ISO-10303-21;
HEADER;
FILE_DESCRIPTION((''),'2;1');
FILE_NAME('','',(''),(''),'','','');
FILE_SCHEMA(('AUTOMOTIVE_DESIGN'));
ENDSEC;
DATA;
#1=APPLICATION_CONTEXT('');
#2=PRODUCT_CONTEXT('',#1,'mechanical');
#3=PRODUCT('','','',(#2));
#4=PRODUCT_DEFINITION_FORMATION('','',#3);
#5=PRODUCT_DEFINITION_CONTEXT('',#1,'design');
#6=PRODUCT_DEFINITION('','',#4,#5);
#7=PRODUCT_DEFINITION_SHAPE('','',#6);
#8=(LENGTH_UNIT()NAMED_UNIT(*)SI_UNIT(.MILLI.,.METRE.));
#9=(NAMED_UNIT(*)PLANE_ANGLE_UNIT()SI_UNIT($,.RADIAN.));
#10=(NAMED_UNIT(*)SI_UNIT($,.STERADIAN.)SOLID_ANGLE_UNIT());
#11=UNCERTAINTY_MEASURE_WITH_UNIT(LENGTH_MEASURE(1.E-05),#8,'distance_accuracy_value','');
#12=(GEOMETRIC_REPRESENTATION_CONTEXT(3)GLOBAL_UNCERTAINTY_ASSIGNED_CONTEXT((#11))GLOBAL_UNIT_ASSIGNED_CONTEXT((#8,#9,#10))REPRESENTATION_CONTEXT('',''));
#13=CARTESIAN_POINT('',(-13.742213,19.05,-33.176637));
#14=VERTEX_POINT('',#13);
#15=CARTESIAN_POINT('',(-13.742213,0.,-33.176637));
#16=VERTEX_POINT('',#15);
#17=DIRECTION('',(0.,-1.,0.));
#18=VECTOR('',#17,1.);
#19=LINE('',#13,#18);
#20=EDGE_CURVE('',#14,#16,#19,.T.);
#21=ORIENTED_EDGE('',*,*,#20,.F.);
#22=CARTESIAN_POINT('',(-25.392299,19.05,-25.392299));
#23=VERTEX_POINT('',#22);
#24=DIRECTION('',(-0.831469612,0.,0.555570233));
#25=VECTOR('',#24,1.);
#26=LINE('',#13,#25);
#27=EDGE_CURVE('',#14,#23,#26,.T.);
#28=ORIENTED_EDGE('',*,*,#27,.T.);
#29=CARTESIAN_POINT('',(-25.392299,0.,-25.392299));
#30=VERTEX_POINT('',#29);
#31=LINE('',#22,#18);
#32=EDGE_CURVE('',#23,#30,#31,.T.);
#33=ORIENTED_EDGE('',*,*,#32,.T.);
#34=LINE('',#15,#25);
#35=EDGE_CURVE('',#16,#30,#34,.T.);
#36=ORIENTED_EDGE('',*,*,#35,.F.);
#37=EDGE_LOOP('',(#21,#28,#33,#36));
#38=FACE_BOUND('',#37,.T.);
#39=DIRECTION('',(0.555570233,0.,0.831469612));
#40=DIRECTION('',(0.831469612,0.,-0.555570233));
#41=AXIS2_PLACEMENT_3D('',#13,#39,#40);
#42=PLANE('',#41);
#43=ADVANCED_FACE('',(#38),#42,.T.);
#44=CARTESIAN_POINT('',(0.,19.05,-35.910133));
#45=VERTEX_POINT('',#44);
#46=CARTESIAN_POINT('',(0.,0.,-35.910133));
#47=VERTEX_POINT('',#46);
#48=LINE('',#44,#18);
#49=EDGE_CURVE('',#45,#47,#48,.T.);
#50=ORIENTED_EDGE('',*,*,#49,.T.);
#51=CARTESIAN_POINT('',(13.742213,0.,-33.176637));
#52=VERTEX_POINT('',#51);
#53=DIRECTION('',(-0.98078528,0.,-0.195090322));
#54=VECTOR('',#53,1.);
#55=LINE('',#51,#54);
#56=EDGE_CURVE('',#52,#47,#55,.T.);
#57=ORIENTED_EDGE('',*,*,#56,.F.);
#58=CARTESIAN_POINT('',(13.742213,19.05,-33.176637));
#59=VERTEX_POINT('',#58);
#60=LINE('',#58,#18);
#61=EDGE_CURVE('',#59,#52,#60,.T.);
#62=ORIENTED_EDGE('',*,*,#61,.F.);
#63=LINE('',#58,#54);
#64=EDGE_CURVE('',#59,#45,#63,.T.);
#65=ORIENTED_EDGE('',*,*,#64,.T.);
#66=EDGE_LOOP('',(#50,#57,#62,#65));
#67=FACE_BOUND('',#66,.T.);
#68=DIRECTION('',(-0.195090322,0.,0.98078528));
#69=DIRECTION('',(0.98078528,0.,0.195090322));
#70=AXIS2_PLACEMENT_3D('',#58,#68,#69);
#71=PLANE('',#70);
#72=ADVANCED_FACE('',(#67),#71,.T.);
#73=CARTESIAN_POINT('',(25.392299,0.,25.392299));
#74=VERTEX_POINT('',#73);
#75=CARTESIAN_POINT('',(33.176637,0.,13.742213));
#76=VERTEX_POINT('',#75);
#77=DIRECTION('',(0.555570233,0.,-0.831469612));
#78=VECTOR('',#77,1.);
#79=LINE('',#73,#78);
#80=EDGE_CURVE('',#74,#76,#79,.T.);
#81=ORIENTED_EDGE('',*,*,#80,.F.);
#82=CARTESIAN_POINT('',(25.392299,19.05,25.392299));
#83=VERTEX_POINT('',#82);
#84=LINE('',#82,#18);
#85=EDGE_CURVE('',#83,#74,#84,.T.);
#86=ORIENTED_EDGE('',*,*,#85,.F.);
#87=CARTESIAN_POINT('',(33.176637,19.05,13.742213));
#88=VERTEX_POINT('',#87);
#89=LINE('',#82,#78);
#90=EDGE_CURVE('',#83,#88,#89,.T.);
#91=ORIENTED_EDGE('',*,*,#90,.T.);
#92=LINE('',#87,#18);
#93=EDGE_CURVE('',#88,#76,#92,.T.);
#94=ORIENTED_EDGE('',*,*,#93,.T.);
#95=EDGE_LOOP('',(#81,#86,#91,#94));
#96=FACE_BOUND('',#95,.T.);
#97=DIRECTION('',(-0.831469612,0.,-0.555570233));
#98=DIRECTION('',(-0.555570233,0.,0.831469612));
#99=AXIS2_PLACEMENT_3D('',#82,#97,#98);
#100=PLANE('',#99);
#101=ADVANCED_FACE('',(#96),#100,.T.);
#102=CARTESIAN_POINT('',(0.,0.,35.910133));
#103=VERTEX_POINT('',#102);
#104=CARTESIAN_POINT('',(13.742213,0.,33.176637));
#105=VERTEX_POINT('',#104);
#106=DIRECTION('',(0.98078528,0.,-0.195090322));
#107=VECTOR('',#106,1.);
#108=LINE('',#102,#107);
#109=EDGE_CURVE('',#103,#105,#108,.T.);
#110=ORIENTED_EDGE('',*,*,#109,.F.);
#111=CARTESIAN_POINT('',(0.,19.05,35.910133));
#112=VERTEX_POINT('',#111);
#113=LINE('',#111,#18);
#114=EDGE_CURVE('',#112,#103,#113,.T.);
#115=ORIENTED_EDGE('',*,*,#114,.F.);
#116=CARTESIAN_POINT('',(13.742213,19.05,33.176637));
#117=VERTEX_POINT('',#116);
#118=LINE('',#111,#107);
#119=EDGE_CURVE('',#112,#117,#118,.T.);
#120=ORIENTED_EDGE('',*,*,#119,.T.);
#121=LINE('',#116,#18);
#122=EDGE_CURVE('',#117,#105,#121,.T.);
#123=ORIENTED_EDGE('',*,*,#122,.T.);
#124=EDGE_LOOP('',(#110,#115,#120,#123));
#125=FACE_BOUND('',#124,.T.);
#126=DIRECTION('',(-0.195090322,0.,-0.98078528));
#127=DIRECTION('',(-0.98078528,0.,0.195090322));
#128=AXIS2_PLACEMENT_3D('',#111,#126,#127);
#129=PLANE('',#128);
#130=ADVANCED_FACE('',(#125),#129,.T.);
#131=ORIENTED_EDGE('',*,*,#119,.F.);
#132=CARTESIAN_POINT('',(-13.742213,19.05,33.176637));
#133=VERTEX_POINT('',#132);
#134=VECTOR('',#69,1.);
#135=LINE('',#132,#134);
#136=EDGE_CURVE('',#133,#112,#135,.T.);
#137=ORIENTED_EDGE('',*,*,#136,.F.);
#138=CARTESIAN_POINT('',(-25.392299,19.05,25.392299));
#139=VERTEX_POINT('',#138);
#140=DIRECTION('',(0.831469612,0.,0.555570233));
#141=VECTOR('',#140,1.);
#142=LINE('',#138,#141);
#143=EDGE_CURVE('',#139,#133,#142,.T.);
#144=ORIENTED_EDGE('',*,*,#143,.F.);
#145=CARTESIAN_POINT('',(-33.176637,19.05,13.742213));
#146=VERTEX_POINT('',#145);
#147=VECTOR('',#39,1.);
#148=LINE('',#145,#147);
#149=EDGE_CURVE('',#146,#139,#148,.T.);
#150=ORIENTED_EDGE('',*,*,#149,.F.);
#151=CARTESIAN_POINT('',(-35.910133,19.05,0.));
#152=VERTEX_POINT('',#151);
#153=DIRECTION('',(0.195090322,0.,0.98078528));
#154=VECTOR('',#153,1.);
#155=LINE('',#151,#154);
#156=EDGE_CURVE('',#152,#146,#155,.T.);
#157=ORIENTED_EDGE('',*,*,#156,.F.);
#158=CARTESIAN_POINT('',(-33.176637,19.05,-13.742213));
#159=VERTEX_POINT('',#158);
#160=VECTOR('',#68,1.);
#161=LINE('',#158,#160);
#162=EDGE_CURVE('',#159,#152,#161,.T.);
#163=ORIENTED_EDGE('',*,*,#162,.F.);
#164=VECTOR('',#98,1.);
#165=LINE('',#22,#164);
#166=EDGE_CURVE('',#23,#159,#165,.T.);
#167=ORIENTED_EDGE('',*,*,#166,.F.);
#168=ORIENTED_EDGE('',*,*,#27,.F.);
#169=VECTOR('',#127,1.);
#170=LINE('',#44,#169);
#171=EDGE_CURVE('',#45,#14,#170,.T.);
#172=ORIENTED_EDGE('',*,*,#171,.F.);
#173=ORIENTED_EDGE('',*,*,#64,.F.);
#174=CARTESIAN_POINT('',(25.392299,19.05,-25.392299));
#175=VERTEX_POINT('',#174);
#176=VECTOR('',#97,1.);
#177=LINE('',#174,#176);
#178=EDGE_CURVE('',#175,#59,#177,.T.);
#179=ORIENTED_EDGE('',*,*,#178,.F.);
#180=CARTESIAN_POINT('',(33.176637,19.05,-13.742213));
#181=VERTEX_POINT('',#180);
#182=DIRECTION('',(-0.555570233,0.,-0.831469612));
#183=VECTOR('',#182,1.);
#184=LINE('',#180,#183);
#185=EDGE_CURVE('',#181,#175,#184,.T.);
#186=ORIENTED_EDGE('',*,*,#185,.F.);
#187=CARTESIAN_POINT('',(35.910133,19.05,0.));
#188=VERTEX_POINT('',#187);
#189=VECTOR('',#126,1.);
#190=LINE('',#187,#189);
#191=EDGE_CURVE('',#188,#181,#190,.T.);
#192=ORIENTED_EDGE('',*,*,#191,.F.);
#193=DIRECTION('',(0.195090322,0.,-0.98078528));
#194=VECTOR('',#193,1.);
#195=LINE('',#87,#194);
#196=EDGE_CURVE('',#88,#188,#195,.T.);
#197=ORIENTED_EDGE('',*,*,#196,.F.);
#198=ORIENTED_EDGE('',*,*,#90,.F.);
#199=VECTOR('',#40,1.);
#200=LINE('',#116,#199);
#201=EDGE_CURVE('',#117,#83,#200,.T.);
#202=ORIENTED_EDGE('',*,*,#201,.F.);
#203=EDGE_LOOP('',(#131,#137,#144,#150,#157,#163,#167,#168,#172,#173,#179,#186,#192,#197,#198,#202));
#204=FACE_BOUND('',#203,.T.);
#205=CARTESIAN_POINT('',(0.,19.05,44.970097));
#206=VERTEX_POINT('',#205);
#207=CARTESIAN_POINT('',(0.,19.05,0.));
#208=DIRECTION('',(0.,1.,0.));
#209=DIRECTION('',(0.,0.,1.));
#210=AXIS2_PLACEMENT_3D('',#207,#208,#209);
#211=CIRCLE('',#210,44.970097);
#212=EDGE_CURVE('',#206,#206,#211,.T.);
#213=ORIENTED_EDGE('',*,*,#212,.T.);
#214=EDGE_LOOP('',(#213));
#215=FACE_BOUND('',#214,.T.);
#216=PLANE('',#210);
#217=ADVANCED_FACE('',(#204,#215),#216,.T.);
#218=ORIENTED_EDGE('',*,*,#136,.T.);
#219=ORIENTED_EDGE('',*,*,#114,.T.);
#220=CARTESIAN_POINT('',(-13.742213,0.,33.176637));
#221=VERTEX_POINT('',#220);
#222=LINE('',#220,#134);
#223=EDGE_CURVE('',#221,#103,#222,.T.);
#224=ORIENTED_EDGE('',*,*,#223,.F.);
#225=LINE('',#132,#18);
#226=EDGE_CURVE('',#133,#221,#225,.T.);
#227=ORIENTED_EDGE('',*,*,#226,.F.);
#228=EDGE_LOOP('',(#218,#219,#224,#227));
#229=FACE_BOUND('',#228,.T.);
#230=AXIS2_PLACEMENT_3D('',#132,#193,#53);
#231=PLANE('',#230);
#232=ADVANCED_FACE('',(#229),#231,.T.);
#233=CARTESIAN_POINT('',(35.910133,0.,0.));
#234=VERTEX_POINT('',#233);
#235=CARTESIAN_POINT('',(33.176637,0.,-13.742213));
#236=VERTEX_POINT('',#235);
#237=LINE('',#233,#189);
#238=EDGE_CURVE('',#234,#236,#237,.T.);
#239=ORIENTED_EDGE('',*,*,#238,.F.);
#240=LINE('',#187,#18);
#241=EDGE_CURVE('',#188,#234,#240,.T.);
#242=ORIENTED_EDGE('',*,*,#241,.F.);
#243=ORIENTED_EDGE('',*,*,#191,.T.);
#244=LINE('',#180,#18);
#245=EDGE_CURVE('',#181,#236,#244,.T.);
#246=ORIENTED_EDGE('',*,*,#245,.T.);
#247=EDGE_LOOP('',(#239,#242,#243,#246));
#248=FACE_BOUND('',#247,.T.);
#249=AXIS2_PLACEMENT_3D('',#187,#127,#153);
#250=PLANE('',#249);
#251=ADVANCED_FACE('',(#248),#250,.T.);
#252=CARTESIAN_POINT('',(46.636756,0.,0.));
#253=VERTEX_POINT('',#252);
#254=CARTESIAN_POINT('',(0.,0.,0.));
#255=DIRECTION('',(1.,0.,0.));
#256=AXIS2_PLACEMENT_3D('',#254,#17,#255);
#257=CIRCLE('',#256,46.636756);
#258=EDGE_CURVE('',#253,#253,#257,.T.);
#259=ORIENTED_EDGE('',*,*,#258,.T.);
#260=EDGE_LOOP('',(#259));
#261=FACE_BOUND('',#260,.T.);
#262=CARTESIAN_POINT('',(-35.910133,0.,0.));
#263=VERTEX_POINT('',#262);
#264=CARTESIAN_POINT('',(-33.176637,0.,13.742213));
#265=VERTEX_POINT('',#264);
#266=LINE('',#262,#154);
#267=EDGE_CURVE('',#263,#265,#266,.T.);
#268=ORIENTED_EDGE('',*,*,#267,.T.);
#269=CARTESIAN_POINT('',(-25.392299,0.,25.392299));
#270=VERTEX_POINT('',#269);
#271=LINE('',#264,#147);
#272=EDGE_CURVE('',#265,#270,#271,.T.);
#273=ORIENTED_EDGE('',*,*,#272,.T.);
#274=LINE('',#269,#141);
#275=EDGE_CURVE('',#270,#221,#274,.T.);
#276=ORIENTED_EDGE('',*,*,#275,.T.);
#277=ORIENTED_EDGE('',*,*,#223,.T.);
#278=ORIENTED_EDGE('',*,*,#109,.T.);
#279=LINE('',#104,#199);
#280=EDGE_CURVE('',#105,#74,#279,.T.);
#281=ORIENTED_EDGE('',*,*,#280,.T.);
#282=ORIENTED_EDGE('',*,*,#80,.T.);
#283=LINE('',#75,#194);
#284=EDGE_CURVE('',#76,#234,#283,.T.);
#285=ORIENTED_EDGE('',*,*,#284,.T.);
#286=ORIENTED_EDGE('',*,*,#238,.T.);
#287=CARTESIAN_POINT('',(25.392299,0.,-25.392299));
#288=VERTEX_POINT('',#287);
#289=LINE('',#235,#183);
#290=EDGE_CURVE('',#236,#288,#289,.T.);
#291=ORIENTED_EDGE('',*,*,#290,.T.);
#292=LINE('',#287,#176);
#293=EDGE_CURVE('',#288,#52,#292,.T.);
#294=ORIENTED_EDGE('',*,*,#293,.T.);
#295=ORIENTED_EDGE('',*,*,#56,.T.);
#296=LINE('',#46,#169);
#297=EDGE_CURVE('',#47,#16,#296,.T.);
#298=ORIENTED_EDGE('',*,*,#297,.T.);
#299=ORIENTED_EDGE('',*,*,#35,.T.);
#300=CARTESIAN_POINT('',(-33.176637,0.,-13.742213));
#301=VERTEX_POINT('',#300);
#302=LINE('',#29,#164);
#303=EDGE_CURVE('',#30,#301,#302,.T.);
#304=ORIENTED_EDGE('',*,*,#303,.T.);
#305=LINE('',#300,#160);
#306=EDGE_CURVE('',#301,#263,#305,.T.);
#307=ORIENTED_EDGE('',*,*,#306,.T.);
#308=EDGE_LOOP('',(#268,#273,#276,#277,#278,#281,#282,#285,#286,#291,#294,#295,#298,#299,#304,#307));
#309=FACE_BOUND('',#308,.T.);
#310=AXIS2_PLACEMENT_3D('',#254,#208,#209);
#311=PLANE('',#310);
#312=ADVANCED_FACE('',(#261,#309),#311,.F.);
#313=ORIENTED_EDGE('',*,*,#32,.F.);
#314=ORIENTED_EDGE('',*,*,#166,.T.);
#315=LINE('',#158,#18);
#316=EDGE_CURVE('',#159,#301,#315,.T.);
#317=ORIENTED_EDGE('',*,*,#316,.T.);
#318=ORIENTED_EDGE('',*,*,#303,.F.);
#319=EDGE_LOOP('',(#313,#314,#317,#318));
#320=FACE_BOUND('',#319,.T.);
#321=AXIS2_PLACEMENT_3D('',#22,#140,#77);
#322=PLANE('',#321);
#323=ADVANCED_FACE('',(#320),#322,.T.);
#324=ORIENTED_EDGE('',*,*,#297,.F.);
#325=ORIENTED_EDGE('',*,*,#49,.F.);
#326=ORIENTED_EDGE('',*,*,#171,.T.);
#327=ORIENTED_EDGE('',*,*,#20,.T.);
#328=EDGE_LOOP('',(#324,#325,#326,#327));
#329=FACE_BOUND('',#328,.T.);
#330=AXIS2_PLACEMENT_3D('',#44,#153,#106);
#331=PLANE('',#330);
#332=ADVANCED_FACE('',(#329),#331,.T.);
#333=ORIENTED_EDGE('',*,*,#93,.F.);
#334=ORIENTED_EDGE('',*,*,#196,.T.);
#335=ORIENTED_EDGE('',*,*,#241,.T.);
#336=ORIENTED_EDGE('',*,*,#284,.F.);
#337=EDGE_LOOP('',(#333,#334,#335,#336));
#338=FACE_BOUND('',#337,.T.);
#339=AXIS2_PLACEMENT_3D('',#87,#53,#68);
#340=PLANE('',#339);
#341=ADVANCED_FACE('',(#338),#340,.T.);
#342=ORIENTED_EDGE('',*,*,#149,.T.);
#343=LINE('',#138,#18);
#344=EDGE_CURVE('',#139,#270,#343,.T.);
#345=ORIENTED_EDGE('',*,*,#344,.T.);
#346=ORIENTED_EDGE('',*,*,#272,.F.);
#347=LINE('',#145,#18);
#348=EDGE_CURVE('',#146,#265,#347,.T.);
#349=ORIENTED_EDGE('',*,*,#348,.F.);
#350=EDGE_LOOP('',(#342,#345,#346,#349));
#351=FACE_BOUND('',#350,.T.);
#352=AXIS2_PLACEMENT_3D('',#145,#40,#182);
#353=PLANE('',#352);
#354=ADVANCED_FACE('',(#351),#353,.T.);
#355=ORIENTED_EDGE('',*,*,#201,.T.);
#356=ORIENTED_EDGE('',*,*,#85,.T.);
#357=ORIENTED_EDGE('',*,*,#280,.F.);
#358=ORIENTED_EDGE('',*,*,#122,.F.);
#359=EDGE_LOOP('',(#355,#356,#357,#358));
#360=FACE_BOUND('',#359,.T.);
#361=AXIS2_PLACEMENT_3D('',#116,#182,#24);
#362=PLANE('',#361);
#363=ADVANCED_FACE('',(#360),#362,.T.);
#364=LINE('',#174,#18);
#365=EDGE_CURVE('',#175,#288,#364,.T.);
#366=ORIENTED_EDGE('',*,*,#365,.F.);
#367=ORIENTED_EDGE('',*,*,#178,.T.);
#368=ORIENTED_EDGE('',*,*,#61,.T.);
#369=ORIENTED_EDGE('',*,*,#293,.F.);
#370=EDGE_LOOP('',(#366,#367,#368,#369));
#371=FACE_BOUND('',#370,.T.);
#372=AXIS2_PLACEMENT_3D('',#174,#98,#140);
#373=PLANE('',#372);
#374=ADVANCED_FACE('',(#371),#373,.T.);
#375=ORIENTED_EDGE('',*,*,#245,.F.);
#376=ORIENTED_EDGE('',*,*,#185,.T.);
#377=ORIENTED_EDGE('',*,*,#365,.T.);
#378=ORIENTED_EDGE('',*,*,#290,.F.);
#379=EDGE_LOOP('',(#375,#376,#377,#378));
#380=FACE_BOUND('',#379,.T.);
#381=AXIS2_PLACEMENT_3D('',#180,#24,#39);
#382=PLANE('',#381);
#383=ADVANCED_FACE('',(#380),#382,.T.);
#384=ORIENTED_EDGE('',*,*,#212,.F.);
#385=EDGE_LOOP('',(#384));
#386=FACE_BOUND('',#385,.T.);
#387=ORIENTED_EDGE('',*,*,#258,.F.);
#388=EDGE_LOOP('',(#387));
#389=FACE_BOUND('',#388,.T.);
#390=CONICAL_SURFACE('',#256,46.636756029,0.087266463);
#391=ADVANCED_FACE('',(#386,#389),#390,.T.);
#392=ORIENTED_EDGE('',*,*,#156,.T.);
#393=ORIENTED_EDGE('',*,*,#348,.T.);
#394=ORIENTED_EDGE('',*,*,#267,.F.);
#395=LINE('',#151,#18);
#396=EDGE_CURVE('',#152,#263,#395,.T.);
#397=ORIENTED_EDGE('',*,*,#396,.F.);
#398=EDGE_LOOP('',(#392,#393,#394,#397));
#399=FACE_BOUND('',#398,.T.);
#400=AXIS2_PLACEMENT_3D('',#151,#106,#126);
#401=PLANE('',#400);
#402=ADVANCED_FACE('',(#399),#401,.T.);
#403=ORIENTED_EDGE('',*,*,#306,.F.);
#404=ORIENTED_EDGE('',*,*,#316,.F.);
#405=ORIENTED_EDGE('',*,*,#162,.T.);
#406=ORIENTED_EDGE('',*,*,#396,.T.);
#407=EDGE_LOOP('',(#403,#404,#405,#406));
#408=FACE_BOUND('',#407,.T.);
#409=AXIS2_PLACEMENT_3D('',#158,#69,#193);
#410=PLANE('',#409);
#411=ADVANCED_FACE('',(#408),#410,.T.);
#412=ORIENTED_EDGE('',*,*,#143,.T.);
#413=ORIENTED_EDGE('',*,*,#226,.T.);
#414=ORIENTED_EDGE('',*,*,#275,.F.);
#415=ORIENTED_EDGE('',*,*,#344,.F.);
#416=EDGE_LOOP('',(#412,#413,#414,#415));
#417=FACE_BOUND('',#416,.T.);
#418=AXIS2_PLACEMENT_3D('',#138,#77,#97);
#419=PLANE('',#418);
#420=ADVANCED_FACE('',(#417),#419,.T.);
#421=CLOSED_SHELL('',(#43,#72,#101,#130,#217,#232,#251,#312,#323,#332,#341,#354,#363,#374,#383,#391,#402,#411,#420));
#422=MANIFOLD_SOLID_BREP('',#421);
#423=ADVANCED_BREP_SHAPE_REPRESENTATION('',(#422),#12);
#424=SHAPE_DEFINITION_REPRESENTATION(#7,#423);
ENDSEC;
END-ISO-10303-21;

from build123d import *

# Parameters (mm, degrees)
BOSS_EXTRUDE1_DEPTH = 19.05


with BuildPart() as part:
    # Sketch1 → Boss-Extrude1 (new body)
    with BuildSketch(Plane(origin=(0, 0, 0), x_dir=(1, 0, 0), z_dir=(0, 1, 0))):
        Polygon((-55.333344517, 0), (-51.121344464, -21.175154204), (-39.126583134, -39.126583134), (-21.175154204, -51.121344464), (0, -55.333344517), (21.175154204, -51.121344464), (39.126583134, -39.126583134), (51.121344464, -21.175154204), (55.333344517, 0), (51.121344464, 21.175154204), (39.126583134, 39.126583134), (21.175154204, 51.121344464), (0, 55.333344517), (-21.175154204, 51.121344464), (-39.126583134, 39.126583134), (-51.121344464, 21.175154204), align=None)
        Polygon((-35.910132953, 0), (-33.176636845, -13.742212935), (-25.392298524, -25.392298524), (-13.742212935, -33.176636845), (0, -35.910132953), (13.742212935, -33.176636845), (25.392298524, -25.392298524), (33.176636845, -13.742212935), (35.910132953, 0), (33.176636845, 13.742212935), (25.392298524, 25.392298524), (13.742212935, 33.176636845), (0, 35.910132953), (-13.742212935, 33.176636845), (-25.392298524, 25.392298524), (-33.176636845, 13.742212935), align=None, mode=Mode.SUBTRACT)
    extrude(amount=BOSS_EXTRUDE1_DEPTH)

    # Sketch3 → Cut-Revolve1 (revolve, cut)
    with BuildSketch(Plane.XY, mode=Mode.PRIVATE) as cut_revolve1_sk:
        Polygon((-46.636756029, 0), (-44.45, 24.994735789), (-114.963192857, 24.994735789), (-114.963192857, 0), align=None)
    revolve(cut_revolve1_sk.sketch.rotate(Axis((0, 0, 0), (0, 1, 0)), 180), axis=Axis((0, 0, 0), (0, 1, 0)), mode=Mode.SUBTRACT)


solid = part.part
